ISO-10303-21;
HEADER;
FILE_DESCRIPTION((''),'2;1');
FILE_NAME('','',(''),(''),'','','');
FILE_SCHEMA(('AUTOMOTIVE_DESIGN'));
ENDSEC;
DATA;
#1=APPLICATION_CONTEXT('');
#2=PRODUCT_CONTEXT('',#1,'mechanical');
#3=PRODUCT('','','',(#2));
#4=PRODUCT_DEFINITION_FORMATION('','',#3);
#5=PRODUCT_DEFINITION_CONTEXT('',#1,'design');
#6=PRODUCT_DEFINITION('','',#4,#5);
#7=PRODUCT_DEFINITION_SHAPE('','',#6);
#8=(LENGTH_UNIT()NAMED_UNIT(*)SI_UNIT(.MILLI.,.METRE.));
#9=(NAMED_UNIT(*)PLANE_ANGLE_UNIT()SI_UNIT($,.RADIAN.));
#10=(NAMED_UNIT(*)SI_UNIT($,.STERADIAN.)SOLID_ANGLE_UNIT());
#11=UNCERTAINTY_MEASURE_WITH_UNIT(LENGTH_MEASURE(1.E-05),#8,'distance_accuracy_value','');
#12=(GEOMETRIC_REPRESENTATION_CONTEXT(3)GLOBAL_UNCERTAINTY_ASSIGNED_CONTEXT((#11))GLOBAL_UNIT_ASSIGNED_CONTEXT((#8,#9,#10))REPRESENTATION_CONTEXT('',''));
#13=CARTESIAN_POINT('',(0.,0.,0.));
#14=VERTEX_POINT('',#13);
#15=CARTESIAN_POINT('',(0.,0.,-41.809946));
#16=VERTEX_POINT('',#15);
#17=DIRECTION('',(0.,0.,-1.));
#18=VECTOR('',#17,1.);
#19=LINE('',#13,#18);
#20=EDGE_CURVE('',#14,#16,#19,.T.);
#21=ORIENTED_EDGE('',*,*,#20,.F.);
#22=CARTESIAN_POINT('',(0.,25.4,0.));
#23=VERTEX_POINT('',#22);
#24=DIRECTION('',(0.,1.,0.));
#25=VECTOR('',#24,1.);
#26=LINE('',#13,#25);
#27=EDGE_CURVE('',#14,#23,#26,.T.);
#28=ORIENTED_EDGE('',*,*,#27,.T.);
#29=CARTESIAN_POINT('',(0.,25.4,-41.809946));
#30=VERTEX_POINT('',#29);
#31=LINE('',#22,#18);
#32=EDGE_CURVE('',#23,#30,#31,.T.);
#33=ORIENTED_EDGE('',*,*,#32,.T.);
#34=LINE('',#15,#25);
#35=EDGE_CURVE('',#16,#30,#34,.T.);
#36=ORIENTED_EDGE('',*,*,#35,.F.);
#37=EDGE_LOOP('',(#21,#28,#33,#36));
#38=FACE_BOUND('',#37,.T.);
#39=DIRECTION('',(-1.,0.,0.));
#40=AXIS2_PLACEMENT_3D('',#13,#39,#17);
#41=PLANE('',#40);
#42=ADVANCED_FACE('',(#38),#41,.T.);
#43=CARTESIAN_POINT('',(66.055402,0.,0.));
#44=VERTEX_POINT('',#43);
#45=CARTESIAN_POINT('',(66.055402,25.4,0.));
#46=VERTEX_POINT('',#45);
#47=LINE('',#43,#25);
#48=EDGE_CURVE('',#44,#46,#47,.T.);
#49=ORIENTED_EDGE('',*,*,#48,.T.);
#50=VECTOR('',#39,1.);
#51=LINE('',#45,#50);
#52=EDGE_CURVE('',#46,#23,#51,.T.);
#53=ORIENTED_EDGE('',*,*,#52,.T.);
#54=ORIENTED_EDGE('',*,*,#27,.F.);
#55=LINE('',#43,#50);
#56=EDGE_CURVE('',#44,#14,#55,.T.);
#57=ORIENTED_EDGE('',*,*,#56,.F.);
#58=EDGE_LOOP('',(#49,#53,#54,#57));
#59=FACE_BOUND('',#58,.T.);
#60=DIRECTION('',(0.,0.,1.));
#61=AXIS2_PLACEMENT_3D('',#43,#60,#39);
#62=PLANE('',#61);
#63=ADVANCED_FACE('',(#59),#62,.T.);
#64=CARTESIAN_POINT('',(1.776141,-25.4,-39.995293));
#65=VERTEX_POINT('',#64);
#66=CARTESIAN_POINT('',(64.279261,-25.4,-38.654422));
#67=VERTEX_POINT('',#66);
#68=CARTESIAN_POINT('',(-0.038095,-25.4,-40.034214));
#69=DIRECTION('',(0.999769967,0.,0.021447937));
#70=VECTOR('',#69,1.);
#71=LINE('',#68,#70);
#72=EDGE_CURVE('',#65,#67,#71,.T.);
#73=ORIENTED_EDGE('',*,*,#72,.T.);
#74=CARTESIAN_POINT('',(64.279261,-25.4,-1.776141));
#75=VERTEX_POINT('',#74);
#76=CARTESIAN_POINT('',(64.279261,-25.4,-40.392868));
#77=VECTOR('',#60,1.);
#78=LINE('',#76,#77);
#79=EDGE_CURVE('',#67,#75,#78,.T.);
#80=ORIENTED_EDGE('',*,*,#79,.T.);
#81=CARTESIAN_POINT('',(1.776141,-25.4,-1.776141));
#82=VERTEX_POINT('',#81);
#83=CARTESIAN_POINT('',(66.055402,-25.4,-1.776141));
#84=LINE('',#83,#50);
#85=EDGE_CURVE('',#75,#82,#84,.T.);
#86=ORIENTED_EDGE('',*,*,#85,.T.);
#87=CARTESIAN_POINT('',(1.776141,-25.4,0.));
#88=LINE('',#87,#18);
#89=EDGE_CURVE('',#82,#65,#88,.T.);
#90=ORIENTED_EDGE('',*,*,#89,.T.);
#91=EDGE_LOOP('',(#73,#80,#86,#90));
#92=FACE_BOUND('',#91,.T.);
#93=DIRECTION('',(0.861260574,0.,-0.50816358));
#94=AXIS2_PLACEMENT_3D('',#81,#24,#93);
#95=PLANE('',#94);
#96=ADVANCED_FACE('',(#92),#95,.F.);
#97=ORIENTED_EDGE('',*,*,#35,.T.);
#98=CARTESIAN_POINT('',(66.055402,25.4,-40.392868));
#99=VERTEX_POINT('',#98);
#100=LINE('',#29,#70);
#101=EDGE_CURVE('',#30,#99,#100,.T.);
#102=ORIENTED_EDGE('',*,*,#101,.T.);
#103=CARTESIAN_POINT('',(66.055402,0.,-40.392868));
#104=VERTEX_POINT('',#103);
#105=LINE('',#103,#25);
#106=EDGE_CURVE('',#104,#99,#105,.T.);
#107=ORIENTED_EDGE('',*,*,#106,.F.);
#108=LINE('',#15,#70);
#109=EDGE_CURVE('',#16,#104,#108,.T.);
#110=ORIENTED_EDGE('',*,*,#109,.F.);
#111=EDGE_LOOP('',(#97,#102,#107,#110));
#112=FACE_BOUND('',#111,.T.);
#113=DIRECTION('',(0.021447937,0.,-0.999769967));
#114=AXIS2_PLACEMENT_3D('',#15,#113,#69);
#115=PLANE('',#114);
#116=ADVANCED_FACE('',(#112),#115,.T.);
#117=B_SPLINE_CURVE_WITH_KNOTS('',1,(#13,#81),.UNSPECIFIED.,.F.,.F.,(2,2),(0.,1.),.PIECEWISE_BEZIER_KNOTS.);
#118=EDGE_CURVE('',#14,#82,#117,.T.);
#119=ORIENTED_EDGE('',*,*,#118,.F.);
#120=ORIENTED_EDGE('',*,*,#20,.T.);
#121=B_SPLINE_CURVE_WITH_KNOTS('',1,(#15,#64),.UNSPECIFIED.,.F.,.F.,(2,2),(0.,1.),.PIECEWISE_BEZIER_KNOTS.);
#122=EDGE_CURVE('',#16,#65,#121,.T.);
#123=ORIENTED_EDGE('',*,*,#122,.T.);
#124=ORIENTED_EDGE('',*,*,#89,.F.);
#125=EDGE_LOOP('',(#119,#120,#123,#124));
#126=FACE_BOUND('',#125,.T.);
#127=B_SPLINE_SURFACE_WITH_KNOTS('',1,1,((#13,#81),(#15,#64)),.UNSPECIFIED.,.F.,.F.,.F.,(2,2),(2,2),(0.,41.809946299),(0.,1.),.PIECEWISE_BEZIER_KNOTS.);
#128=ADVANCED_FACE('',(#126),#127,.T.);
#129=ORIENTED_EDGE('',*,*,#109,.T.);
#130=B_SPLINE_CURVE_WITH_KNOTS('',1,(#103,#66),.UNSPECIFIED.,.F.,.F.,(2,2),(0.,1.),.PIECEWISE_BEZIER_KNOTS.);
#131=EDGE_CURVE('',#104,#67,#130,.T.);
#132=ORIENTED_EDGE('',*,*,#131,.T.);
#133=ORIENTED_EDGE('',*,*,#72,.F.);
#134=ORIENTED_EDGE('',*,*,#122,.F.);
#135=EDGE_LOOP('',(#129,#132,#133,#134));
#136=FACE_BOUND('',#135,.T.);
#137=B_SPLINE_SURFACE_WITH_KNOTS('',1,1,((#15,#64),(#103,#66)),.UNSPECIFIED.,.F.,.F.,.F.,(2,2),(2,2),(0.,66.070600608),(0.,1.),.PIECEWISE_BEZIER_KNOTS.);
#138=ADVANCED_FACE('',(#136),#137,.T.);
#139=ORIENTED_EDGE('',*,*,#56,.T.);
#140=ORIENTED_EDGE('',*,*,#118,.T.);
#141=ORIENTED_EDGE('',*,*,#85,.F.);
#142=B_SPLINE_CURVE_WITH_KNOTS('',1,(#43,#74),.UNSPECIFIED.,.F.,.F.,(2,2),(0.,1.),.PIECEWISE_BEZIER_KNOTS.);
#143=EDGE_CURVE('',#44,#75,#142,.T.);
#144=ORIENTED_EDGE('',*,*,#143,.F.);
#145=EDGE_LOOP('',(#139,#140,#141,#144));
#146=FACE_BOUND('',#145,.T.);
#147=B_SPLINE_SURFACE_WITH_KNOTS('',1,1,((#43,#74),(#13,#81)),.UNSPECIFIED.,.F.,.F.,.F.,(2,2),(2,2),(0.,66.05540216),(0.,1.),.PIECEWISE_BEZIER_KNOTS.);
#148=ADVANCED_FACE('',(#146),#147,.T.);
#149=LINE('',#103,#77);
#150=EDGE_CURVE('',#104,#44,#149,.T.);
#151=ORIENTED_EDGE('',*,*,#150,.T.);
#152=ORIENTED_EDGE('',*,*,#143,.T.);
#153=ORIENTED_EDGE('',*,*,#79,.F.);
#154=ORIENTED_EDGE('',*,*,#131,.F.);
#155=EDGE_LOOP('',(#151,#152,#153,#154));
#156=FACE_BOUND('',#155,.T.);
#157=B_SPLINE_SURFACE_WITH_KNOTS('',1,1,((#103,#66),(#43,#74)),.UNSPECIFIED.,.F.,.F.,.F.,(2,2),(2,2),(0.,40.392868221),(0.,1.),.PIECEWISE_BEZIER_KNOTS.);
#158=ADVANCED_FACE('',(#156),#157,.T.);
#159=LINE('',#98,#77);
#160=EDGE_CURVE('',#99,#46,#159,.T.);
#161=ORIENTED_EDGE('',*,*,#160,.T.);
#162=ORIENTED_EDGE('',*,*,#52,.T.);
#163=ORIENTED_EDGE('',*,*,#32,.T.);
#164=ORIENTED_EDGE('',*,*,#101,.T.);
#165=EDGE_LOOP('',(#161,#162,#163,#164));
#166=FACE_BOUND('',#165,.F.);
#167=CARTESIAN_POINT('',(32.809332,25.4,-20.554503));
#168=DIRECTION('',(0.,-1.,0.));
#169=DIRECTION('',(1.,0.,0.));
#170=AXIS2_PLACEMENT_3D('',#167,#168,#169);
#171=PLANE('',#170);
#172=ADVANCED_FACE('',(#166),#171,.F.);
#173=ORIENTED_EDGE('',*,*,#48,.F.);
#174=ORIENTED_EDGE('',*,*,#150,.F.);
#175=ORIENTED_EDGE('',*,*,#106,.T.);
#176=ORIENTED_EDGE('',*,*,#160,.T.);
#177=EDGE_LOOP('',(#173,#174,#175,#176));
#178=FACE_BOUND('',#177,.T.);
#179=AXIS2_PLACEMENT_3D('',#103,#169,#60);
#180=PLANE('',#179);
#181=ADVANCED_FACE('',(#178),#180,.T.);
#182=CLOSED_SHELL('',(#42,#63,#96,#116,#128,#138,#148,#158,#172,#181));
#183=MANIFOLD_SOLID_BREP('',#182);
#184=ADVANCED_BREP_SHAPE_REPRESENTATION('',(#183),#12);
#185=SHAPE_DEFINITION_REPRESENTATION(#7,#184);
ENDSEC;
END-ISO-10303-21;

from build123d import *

# Parameters (mm, degrees)
F1_DEPTH      = 25.4
F1_TAPER      = 4
F1_DEPTH_BACK = 25.4


with BuildPart() as f1:
    # F0 (on Front) → F1 (new body, two sides)
    with BuildSketch(Plane.XZ) as f1_sk:
        Polygon((0, 0), (0, -41.8099462986), (66.0554021597, -40.3928682208), (66.0554021597, 0), align=None)
    extrude(amount=F1_DEPTH, taper=F1_TAPER)
    extrude(f1_sk.sketch, amount=-F1_DEPTH_BACK)


solid = f1.part
